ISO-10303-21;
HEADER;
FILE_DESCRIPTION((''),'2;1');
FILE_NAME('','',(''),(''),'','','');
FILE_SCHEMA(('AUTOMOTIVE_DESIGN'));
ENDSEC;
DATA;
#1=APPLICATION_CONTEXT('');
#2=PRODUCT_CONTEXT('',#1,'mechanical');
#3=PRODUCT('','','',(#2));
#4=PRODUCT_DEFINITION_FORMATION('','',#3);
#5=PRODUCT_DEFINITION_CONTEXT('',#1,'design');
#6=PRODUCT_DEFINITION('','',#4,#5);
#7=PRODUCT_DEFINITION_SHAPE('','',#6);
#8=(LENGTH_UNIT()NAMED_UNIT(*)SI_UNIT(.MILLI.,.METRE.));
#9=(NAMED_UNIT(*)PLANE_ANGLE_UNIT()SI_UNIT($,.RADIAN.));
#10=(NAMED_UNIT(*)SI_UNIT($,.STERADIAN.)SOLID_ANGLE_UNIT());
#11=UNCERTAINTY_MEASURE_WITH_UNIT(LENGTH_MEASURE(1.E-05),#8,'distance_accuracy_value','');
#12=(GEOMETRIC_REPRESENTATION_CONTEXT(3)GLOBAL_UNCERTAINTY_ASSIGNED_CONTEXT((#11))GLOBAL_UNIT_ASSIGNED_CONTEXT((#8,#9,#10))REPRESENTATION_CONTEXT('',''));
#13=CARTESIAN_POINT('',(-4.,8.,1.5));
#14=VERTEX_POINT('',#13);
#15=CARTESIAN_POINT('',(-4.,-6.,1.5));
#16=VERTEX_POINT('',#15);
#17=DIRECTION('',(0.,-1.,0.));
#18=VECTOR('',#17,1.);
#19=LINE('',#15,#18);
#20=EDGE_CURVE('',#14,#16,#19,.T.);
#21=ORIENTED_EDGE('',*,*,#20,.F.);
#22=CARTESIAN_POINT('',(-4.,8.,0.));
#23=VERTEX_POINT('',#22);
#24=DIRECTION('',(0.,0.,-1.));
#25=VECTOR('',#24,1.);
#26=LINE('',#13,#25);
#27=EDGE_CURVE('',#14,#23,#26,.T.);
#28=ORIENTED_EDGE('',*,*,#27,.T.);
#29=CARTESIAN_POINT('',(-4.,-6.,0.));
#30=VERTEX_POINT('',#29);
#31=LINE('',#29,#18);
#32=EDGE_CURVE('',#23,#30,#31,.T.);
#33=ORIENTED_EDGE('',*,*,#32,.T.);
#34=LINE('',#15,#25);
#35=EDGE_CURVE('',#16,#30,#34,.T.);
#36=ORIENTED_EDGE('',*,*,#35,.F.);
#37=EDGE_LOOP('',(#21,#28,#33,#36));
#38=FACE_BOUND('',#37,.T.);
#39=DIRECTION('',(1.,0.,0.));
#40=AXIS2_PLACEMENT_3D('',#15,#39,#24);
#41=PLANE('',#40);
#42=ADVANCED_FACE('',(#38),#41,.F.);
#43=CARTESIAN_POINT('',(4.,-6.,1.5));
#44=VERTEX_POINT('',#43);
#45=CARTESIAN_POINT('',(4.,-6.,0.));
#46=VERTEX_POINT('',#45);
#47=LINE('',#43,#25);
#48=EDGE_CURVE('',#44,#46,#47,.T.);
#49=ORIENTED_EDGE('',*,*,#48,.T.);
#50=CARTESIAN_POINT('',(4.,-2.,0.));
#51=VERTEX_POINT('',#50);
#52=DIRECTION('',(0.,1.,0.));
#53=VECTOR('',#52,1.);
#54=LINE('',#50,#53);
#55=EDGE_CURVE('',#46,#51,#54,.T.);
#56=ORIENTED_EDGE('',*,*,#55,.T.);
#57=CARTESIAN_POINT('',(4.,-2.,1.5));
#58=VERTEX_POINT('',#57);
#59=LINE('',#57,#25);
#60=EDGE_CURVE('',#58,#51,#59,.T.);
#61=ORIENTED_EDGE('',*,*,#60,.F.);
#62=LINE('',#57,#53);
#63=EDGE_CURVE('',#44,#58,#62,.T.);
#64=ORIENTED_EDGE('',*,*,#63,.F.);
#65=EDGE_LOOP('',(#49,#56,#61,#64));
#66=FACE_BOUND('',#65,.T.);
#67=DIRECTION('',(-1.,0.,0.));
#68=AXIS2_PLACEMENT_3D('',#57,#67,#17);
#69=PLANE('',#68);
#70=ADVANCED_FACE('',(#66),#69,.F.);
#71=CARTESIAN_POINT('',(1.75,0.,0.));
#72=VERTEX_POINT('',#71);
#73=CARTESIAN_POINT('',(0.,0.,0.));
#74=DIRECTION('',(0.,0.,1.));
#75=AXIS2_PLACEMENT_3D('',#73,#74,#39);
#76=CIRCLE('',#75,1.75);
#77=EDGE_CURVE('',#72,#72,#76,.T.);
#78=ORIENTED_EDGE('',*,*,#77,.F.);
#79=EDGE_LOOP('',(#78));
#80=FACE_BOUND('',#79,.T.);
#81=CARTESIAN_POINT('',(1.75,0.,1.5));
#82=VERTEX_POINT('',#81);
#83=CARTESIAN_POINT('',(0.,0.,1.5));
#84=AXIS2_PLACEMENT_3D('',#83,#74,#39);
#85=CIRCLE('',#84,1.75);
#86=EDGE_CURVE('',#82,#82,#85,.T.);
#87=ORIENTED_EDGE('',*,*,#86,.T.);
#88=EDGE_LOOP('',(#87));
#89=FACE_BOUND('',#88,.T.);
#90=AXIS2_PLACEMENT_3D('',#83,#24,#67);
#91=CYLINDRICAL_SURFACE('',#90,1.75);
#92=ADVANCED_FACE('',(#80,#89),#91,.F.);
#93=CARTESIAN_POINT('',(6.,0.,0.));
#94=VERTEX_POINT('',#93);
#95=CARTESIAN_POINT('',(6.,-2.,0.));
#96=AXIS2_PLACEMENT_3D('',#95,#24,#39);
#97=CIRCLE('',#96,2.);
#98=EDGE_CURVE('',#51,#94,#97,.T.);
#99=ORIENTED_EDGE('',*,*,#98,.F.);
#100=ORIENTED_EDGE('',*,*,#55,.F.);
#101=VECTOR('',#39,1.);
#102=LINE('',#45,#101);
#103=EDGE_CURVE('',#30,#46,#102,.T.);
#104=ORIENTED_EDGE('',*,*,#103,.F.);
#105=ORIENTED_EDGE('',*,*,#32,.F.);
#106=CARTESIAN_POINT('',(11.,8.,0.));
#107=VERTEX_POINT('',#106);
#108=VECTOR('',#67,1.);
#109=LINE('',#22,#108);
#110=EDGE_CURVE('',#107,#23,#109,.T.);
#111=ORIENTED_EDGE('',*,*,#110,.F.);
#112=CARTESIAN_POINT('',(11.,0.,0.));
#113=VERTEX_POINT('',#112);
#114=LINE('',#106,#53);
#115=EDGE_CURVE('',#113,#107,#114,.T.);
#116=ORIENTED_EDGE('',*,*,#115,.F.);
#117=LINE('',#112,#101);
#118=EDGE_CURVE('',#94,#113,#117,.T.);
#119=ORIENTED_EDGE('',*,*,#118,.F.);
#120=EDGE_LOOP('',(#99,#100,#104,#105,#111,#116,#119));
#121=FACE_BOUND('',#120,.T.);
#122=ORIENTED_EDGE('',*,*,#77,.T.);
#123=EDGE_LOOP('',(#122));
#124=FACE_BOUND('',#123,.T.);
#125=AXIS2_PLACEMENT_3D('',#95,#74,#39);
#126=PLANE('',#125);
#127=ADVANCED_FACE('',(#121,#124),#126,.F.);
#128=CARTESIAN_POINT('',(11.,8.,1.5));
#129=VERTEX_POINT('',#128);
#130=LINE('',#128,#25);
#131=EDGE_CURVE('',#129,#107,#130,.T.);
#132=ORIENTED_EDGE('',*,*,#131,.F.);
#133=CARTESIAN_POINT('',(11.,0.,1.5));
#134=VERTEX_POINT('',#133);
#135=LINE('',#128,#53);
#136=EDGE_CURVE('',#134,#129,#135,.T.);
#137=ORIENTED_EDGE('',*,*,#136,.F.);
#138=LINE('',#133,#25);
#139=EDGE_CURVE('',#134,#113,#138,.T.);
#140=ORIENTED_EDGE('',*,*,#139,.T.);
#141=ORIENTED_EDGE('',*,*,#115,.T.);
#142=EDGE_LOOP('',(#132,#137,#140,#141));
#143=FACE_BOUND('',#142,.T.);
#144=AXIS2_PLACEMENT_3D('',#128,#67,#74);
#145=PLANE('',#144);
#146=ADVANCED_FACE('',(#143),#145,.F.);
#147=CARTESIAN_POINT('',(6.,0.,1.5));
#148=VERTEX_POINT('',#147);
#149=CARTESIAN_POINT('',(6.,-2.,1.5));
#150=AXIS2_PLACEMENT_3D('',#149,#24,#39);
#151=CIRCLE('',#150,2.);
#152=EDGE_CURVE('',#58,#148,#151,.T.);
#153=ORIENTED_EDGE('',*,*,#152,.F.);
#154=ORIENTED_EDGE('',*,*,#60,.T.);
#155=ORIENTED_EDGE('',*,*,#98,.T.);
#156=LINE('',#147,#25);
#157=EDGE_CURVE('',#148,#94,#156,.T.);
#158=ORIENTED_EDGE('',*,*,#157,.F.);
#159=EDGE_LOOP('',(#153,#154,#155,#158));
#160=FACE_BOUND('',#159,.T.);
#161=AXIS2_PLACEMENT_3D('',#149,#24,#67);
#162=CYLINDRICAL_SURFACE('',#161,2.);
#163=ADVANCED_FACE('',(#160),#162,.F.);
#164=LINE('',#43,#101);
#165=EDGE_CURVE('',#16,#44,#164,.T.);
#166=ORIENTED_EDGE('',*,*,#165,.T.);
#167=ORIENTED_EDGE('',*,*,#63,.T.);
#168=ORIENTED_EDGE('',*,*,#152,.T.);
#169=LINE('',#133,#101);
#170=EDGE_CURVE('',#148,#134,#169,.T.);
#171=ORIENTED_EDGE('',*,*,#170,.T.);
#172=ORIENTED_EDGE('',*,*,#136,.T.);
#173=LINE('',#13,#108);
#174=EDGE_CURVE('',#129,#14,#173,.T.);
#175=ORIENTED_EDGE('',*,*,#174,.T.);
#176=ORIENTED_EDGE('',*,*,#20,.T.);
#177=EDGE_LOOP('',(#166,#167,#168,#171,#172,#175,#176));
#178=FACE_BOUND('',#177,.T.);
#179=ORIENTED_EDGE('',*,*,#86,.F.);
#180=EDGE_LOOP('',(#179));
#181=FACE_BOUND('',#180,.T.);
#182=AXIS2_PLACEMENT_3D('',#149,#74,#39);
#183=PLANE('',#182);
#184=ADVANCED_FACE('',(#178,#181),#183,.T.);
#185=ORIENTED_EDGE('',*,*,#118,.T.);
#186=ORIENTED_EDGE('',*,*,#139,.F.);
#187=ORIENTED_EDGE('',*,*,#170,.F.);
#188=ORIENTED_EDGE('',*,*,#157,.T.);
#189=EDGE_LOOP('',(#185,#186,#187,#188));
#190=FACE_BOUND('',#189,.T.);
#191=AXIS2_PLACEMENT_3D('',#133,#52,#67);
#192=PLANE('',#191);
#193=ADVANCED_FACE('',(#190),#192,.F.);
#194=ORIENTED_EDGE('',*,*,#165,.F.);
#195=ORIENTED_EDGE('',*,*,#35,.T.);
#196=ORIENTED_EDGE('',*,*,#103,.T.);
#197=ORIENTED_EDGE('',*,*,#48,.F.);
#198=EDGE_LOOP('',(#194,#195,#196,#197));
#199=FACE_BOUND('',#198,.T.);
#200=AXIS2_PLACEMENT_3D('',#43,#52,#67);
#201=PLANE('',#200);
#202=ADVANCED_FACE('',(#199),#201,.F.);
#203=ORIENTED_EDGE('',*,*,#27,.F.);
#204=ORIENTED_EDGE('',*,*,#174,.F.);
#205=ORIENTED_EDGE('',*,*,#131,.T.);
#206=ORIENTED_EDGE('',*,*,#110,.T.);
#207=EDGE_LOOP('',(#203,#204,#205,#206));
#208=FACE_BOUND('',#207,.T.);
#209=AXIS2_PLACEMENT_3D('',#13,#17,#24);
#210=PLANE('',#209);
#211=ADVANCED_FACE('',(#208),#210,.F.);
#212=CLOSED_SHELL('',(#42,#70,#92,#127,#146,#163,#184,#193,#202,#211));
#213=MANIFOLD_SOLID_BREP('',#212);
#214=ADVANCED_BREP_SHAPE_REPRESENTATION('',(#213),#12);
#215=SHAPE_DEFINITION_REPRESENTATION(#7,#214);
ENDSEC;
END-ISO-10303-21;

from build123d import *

# Parameters (mm, degrees)
SKETCH1_R           = 1.75
BOSS_EXTRUDE1_DEPTH = 1.5


with BuildPart() as part:
    # Sketch1 → Boss-Extrude1 (new body)
    with BuildSketch(Plane.XY):
        with BuildLine():
            Line((4, -6), (-4, -6))
            Line((-4, -6), (-4, 8))
            Line((-4, 8), (11, 8))
            Line((11, 8), (11, 0))
            Line((11, 0), (6, 0))
            ThreePointArc((6, 0), (4.585786438, -0.585786438), (4, -2))
            Line((4, -2), (4, -6))
        make_face()
        Circle(SKETCH1_R, mode=Mode.SUBTRACT)
    extrude(amount=BOSS_EXTRUDE1_DEPTH)


solid = part.part
